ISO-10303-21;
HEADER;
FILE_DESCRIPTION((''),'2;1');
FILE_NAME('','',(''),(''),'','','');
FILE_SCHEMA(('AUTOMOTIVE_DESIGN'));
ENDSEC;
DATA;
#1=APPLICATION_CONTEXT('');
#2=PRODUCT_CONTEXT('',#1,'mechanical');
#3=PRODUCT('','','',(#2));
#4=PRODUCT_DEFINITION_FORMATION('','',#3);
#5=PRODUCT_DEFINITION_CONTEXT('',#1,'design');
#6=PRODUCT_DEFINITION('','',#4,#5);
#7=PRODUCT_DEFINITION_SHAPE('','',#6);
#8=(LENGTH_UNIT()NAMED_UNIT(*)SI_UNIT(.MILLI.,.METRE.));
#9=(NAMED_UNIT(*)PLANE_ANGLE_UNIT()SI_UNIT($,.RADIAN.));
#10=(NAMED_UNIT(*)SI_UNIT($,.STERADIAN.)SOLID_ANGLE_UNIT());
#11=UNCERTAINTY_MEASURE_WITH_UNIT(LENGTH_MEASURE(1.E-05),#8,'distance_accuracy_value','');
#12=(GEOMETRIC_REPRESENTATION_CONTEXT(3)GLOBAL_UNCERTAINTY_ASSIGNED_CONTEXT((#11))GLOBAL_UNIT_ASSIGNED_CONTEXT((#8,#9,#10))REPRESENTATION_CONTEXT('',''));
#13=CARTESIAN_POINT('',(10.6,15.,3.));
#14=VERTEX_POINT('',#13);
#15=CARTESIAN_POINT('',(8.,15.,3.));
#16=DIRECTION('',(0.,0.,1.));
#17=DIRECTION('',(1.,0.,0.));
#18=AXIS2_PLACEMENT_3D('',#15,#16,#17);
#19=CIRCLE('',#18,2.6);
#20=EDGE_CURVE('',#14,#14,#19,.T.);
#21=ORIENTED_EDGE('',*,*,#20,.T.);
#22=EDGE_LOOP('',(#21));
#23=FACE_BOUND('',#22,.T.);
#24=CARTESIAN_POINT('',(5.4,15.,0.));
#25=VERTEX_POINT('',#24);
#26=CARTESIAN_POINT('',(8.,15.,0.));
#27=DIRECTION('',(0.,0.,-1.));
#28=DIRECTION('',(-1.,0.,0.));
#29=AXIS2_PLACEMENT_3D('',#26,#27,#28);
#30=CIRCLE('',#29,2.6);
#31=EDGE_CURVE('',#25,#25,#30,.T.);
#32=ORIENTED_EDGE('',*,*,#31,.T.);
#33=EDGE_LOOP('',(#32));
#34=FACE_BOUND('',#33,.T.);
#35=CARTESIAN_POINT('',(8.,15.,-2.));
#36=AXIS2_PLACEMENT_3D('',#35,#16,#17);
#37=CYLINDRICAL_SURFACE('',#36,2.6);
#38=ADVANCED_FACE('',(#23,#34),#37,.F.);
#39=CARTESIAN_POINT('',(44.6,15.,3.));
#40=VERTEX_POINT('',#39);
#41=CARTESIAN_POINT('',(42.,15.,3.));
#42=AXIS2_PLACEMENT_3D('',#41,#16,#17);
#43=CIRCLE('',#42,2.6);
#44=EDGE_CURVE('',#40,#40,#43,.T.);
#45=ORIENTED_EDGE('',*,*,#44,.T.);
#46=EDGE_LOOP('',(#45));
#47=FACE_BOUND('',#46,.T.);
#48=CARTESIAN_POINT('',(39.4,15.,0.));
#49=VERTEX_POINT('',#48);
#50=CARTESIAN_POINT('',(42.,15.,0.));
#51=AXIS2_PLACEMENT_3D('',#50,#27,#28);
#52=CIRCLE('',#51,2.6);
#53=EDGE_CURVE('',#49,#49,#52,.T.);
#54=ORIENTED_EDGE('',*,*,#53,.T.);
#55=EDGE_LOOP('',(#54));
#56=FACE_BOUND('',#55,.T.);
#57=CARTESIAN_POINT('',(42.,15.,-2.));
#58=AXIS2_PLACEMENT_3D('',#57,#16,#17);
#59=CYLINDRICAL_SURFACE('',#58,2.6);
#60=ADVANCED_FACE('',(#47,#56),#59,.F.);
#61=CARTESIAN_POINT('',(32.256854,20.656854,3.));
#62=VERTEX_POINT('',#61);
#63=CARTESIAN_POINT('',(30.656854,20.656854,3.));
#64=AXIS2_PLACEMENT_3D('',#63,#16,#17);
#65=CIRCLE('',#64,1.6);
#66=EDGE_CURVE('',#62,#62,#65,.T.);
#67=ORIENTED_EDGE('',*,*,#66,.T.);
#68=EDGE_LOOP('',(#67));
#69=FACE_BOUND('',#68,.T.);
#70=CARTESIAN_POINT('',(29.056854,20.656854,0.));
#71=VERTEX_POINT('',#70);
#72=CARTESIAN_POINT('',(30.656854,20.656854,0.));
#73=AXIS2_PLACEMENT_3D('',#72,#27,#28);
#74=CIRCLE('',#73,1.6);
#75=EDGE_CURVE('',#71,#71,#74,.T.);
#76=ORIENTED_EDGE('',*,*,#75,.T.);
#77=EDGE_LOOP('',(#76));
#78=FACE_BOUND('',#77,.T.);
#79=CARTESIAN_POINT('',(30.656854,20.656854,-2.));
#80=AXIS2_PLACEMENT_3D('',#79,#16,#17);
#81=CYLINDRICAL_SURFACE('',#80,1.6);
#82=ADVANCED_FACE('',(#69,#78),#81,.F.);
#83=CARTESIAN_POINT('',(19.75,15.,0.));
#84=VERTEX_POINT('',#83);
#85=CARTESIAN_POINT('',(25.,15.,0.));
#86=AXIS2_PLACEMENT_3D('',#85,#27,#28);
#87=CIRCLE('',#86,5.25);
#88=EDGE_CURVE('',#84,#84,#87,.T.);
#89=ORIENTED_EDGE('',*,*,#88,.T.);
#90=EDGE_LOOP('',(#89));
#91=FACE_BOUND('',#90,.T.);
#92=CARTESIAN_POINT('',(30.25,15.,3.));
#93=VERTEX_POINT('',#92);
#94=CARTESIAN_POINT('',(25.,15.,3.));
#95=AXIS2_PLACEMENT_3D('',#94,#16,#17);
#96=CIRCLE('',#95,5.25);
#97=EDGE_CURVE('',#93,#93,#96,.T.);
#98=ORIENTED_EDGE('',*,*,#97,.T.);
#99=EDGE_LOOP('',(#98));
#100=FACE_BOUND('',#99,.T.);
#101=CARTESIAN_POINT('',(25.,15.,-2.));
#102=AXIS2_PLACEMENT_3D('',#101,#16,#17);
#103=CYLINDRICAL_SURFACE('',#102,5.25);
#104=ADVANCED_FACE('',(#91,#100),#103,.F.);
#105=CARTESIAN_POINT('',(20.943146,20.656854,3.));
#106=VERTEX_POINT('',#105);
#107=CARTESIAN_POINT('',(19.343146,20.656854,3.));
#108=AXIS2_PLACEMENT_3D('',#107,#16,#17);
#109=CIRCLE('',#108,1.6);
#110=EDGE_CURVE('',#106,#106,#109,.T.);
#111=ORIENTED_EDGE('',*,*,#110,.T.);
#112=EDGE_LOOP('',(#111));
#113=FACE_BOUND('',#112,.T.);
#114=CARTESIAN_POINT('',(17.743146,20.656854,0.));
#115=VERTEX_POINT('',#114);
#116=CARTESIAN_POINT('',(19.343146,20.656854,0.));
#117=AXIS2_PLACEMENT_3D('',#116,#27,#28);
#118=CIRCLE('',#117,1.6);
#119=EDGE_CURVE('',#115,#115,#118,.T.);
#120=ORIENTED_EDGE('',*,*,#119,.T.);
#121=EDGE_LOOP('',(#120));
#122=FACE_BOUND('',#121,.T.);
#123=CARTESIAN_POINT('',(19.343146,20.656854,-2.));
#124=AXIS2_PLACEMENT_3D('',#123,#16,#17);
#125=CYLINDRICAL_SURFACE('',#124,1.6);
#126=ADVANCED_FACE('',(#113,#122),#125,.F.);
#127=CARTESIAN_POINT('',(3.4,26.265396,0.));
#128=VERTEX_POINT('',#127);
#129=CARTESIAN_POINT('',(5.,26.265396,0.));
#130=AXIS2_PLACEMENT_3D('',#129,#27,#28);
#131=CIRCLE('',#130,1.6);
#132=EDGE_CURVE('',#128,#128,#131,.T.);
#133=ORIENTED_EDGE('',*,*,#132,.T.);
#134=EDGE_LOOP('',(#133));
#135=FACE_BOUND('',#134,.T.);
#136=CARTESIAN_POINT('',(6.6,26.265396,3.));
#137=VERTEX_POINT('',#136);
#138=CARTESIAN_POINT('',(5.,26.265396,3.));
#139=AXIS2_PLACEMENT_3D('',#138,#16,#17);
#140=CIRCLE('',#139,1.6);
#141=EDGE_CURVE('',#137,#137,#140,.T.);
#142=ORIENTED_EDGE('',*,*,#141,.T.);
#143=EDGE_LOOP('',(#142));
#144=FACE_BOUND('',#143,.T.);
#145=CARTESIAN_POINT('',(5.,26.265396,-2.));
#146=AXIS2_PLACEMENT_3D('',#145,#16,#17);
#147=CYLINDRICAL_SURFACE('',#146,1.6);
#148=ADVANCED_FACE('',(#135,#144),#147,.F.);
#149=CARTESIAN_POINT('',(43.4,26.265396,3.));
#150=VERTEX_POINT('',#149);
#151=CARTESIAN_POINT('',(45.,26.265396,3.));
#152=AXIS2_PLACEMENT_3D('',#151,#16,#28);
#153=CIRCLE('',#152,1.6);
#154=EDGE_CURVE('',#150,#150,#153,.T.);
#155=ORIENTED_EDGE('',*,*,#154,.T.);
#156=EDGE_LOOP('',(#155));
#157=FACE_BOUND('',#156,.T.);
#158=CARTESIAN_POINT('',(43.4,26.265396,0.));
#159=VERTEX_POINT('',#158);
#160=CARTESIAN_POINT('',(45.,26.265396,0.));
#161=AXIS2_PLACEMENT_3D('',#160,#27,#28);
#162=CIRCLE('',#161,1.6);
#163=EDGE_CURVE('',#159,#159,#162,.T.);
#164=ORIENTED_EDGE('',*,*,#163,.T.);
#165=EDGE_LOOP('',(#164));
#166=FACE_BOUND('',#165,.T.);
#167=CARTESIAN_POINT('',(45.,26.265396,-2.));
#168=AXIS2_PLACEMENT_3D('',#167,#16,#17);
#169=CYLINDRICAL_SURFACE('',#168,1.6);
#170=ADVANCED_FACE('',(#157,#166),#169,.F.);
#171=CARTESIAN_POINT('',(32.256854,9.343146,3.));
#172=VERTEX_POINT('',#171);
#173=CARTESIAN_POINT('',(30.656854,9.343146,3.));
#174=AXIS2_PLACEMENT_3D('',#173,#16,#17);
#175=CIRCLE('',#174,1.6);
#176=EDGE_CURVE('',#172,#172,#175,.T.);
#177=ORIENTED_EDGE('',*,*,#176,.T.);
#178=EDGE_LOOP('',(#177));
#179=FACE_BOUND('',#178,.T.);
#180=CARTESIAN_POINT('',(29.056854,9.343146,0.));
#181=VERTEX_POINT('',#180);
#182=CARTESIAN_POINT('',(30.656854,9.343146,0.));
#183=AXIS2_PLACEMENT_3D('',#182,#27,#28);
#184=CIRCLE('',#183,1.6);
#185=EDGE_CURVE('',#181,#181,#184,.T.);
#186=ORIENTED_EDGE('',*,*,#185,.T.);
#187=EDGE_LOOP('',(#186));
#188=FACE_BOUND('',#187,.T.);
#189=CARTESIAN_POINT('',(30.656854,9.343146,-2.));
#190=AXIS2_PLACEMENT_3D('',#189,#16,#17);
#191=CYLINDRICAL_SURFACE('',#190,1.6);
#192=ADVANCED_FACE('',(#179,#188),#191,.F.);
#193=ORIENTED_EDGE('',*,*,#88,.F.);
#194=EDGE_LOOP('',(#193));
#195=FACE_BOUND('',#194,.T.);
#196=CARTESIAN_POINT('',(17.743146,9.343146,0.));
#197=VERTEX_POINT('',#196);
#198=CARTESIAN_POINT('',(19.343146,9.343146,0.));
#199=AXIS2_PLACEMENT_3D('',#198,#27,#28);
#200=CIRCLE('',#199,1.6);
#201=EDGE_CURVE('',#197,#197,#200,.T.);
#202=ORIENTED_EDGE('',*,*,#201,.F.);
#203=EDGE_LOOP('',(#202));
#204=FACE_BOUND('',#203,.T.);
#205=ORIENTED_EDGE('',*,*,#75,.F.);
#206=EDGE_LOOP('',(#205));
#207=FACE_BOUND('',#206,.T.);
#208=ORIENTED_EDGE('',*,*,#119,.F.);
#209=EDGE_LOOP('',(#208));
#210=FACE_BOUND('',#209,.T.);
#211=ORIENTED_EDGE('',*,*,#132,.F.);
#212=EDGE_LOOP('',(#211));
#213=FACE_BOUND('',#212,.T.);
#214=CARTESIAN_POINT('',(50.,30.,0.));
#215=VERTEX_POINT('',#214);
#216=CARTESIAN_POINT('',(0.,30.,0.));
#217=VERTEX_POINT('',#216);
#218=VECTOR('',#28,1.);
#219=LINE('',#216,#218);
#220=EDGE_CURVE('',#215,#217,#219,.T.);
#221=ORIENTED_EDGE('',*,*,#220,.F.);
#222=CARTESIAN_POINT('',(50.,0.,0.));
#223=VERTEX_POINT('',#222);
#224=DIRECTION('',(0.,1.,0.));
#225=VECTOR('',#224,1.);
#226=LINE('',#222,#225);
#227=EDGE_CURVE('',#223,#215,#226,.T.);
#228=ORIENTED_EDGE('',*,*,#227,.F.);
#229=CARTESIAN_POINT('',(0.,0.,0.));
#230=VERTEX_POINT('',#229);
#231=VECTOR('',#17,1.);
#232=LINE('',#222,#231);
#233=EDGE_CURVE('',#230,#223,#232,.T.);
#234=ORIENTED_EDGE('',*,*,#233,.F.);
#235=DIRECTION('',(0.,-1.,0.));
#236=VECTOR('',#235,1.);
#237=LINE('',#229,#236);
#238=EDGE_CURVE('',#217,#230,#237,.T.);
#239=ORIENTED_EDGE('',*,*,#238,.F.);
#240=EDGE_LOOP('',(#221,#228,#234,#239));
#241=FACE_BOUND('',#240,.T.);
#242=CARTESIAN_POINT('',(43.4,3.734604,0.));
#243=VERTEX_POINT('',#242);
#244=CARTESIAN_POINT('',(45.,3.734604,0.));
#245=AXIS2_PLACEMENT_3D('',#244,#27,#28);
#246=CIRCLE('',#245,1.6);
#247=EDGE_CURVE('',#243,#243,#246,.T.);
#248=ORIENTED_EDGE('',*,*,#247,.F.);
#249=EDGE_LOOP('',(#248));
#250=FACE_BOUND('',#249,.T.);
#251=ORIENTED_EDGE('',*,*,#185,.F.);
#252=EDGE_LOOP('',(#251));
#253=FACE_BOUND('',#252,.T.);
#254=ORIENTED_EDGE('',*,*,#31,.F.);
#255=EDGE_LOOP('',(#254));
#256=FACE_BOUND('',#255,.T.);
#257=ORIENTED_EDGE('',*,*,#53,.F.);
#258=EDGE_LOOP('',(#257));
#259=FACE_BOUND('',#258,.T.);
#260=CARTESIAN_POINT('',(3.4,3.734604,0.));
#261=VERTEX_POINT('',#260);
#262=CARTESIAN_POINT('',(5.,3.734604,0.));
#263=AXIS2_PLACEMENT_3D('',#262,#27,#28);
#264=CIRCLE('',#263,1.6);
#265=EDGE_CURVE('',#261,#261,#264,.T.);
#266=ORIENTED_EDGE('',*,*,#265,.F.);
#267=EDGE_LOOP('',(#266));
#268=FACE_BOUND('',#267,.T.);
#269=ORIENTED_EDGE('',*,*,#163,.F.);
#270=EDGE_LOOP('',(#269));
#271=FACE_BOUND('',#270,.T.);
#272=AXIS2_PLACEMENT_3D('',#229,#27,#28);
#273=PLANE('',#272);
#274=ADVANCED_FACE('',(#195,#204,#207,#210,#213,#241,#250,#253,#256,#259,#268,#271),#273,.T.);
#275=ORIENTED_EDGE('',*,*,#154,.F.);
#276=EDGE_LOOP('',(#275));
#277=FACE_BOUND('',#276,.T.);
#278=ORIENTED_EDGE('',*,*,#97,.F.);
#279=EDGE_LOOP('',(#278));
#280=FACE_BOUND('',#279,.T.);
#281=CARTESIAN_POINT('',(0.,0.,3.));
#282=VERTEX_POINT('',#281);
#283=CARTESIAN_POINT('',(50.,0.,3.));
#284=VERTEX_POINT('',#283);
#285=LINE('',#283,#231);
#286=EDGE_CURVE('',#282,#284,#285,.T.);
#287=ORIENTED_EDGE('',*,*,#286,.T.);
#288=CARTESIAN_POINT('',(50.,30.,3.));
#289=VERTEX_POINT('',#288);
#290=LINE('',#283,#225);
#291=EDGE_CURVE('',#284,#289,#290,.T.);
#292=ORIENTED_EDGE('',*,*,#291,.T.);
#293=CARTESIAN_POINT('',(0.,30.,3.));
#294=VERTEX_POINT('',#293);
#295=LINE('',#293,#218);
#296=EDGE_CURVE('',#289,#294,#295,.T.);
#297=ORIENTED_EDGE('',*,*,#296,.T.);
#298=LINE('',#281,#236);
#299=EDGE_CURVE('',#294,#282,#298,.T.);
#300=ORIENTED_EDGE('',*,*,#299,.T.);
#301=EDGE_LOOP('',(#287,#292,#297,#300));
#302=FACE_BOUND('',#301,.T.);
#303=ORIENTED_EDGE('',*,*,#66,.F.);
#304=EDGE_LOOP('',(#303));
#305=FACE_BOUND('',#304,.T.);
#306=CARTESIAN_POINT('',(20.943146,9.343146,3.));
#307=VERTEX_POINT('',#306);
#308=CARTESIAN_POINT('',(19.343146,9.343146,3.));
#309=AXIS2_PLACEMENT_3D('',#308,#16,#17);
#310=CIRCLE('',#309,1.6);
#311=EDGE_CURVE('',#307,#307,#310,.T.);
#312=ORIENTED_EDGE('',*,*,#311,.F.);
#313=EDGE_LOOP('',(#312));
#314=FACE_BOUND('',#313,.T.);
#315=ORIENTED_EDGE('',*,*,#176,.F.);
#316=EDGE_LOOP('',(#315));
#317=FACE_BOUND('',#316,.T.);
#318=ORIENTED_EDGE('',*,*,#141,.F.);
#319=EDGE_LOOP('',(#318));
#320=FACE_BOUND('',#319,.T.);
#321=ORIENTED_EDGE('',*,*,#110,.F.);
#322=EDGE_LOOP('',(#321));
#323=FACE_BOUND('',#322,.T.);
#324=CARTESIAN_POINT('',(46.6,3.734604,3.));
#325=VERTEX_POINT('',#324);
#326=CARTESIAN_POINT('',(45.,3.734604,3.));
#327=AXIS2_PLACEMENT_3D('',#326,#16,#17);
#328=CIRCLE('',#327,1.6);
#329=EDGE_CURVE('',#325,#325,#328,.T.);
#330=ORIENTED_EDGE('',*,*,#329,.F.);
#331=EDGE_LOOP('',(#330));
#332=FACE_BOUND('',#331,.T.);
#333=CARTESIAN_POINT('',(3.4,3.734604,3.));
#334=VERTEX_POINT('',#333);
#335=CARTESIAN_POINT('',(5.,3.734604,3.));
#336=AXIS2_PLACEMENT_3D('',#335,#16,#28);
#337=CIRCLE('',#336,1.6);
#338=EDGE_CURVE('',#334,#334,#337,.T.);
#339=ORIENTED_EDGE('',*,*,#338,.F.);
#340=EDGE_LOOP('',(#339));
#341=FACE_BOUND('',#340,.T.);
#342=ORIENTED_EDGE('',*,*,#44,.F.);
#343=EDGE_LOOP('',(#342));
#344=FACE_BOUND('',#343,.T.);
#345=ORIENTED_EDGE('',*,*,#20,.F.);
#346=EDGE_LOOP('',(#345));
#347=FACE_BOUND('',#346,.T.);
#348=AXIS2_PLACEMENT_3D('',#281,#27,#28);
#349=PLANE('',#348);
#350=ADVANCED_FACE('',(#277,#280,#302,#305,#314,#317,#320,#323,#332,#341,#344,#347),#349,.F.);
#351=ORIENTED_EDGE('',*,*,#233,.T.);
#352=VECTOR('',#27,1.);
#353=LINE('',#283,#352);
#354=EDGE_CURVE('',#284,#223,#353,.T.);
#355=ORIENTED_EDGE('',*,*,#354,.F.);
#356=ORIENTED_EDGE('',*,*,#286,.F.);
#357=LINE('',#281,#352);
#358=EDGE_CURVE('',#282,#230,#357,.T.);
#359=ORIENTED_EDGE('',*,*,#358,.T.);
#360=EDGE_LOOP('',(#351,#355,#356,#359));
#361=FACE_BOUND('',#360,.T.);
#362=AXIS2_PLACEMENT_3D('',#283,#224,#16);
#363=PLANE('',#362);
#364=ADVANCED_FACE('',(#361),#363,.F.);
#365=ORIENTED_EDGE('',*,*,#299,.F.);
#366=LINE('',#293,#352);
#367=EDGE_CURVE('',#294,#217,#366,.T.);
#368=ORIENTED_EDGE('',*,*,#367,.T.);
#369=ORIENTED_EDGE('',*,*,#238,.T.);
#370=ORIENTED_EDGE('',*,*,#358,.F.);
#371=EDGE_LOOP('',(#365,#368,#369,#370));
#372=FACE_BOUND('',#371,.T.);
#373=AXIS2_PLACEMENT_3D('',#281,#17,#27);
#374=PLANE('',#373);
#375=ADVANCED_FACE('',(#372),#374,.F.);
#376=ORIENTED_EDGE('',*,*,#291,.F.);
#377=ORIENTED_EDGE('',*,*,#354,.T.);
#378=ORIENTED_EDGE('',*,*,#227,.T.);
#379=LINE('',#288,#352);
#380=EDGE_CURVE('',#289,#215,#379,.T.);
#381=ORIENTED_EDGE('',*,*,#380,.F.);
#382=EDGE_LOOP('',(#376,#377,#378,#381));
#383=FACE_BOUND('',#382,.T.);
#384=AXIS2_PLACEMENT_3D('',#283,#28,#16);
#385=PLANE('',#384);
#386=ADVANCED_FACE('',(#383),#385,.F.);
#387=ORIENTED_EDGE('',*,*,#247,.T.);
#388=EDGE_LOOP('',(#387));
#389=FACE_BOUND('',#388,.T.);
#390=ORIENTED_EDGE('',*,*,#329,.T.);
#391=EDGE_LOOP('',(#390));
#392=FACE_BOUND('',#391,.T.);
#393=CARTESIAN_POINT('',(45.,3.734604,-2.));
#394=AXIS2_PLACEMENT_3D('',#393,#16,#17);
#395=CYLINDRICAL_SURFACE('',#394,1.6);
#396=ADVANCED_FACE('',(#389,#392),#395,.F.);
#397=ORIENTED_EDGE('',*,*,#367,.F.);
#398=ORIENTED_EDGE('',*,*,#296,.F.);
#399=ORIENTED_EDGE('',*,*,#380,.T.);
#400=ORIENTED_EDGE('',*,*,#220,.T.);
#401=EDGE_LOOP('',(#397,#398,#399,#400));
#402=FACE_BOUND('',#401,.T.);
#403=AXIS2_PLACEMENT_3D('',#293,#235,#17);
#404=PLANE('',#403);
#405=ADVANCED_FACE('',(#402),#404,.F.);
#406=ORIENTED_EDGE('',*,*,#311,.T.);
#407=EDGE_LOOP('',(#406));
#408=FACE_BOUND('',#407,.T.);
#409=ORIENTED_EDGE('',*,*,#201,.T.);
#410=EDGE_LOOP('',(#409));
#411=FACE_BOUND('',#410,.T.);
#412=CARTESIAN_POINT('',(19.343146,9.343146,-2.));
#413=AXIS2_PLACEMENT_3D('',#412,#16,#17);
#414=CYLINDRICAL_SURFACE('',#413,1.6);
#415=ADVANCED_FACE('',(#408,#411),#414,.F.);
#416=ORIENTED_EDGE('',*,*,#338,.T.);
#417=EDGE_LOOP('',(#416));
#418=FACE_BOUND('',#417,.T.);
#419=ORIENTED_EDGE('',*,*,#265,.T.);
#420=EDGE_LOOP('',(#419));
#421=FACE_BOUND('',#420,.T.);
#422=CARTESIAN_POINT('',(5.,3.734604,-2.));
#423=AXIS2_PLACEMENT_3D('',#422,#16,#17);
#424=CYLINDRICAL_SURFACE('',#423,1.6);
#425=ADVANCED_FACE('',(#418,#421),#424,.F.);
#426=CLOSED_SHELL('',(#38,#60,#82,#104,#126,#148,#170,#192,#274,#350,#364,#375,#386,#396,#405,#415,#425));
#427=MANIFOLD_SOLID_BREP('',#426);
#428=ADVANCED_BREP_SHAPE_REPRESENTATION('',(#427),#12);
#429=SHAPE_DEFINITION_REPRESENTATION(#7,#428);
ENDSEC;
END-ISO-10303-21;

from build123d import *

# Parameters (mm, degrees)
SKETCH_1_W          = 50
SKETCH_1_H          = 30
EXTRUDE_1_DEPTH     = 3
SKETCH_2_R          = 2.6
SKETCH_2_R_2        = 1.6
SKETCH_2_R_3        = 5.25
CUT_EXTRUDE_1_DEPTH = 5


with BuildPart() as part:
    # 草图1 → 凸台-拉伸1 (new body)
    with BuildSketch(Plane.XY):
        with Locations((25, 15)):
            Rectangle(SKETCH_1_W, SKETCH_1_H)
    extrude(amount=EXTRUDE_1_DEPTH)

    # 草图2 → 切除-拉伸1 (cut)
    with BuildSketch(Plane.XY.offset(3)):
        with Locations((8, 15)):
            Circle(SKETCH_2_R)
        with Locations((42, 15)):
            Circle(SKETCH_2_R)
        with Locations((30.656854249, 20.656854249)):
            Circle(SKETCH_2_R_2)
        with Locations((30.656854249, 9.343145751)):
            Circle(SKETCH_2_R_2)
        with Locations((19.343145751, 9.343145751)):
            Circle(SKETCH_2_R_2)
        with Locations((19.343145751, 20.656854249)):
            Circle(SKETCH_2_R_2)
        with Locations((25, 15)):
            Circle(SKETCH_2_R_3)
        with Locations((45, 3.734603705)):
            Circle(SKETCH_2_R_2)
        with Locations(Location((45, 26.265396295, 0), (0, 0, 180))):
            Circle(SKETCH_2_R_2)
        with Locations((5, 26.265396295)):
            Circle(SKETCH_2_R_2)
        with Locations(Location((5, 3.734603705, 0), (0, 0, 180))):
            Circle(SKETCH_2_R_2)
    extrude(amount=-CUT_EXTRUDE_1_DEPTH, mode=Mode.SUBTRACT)


solid = part.part
